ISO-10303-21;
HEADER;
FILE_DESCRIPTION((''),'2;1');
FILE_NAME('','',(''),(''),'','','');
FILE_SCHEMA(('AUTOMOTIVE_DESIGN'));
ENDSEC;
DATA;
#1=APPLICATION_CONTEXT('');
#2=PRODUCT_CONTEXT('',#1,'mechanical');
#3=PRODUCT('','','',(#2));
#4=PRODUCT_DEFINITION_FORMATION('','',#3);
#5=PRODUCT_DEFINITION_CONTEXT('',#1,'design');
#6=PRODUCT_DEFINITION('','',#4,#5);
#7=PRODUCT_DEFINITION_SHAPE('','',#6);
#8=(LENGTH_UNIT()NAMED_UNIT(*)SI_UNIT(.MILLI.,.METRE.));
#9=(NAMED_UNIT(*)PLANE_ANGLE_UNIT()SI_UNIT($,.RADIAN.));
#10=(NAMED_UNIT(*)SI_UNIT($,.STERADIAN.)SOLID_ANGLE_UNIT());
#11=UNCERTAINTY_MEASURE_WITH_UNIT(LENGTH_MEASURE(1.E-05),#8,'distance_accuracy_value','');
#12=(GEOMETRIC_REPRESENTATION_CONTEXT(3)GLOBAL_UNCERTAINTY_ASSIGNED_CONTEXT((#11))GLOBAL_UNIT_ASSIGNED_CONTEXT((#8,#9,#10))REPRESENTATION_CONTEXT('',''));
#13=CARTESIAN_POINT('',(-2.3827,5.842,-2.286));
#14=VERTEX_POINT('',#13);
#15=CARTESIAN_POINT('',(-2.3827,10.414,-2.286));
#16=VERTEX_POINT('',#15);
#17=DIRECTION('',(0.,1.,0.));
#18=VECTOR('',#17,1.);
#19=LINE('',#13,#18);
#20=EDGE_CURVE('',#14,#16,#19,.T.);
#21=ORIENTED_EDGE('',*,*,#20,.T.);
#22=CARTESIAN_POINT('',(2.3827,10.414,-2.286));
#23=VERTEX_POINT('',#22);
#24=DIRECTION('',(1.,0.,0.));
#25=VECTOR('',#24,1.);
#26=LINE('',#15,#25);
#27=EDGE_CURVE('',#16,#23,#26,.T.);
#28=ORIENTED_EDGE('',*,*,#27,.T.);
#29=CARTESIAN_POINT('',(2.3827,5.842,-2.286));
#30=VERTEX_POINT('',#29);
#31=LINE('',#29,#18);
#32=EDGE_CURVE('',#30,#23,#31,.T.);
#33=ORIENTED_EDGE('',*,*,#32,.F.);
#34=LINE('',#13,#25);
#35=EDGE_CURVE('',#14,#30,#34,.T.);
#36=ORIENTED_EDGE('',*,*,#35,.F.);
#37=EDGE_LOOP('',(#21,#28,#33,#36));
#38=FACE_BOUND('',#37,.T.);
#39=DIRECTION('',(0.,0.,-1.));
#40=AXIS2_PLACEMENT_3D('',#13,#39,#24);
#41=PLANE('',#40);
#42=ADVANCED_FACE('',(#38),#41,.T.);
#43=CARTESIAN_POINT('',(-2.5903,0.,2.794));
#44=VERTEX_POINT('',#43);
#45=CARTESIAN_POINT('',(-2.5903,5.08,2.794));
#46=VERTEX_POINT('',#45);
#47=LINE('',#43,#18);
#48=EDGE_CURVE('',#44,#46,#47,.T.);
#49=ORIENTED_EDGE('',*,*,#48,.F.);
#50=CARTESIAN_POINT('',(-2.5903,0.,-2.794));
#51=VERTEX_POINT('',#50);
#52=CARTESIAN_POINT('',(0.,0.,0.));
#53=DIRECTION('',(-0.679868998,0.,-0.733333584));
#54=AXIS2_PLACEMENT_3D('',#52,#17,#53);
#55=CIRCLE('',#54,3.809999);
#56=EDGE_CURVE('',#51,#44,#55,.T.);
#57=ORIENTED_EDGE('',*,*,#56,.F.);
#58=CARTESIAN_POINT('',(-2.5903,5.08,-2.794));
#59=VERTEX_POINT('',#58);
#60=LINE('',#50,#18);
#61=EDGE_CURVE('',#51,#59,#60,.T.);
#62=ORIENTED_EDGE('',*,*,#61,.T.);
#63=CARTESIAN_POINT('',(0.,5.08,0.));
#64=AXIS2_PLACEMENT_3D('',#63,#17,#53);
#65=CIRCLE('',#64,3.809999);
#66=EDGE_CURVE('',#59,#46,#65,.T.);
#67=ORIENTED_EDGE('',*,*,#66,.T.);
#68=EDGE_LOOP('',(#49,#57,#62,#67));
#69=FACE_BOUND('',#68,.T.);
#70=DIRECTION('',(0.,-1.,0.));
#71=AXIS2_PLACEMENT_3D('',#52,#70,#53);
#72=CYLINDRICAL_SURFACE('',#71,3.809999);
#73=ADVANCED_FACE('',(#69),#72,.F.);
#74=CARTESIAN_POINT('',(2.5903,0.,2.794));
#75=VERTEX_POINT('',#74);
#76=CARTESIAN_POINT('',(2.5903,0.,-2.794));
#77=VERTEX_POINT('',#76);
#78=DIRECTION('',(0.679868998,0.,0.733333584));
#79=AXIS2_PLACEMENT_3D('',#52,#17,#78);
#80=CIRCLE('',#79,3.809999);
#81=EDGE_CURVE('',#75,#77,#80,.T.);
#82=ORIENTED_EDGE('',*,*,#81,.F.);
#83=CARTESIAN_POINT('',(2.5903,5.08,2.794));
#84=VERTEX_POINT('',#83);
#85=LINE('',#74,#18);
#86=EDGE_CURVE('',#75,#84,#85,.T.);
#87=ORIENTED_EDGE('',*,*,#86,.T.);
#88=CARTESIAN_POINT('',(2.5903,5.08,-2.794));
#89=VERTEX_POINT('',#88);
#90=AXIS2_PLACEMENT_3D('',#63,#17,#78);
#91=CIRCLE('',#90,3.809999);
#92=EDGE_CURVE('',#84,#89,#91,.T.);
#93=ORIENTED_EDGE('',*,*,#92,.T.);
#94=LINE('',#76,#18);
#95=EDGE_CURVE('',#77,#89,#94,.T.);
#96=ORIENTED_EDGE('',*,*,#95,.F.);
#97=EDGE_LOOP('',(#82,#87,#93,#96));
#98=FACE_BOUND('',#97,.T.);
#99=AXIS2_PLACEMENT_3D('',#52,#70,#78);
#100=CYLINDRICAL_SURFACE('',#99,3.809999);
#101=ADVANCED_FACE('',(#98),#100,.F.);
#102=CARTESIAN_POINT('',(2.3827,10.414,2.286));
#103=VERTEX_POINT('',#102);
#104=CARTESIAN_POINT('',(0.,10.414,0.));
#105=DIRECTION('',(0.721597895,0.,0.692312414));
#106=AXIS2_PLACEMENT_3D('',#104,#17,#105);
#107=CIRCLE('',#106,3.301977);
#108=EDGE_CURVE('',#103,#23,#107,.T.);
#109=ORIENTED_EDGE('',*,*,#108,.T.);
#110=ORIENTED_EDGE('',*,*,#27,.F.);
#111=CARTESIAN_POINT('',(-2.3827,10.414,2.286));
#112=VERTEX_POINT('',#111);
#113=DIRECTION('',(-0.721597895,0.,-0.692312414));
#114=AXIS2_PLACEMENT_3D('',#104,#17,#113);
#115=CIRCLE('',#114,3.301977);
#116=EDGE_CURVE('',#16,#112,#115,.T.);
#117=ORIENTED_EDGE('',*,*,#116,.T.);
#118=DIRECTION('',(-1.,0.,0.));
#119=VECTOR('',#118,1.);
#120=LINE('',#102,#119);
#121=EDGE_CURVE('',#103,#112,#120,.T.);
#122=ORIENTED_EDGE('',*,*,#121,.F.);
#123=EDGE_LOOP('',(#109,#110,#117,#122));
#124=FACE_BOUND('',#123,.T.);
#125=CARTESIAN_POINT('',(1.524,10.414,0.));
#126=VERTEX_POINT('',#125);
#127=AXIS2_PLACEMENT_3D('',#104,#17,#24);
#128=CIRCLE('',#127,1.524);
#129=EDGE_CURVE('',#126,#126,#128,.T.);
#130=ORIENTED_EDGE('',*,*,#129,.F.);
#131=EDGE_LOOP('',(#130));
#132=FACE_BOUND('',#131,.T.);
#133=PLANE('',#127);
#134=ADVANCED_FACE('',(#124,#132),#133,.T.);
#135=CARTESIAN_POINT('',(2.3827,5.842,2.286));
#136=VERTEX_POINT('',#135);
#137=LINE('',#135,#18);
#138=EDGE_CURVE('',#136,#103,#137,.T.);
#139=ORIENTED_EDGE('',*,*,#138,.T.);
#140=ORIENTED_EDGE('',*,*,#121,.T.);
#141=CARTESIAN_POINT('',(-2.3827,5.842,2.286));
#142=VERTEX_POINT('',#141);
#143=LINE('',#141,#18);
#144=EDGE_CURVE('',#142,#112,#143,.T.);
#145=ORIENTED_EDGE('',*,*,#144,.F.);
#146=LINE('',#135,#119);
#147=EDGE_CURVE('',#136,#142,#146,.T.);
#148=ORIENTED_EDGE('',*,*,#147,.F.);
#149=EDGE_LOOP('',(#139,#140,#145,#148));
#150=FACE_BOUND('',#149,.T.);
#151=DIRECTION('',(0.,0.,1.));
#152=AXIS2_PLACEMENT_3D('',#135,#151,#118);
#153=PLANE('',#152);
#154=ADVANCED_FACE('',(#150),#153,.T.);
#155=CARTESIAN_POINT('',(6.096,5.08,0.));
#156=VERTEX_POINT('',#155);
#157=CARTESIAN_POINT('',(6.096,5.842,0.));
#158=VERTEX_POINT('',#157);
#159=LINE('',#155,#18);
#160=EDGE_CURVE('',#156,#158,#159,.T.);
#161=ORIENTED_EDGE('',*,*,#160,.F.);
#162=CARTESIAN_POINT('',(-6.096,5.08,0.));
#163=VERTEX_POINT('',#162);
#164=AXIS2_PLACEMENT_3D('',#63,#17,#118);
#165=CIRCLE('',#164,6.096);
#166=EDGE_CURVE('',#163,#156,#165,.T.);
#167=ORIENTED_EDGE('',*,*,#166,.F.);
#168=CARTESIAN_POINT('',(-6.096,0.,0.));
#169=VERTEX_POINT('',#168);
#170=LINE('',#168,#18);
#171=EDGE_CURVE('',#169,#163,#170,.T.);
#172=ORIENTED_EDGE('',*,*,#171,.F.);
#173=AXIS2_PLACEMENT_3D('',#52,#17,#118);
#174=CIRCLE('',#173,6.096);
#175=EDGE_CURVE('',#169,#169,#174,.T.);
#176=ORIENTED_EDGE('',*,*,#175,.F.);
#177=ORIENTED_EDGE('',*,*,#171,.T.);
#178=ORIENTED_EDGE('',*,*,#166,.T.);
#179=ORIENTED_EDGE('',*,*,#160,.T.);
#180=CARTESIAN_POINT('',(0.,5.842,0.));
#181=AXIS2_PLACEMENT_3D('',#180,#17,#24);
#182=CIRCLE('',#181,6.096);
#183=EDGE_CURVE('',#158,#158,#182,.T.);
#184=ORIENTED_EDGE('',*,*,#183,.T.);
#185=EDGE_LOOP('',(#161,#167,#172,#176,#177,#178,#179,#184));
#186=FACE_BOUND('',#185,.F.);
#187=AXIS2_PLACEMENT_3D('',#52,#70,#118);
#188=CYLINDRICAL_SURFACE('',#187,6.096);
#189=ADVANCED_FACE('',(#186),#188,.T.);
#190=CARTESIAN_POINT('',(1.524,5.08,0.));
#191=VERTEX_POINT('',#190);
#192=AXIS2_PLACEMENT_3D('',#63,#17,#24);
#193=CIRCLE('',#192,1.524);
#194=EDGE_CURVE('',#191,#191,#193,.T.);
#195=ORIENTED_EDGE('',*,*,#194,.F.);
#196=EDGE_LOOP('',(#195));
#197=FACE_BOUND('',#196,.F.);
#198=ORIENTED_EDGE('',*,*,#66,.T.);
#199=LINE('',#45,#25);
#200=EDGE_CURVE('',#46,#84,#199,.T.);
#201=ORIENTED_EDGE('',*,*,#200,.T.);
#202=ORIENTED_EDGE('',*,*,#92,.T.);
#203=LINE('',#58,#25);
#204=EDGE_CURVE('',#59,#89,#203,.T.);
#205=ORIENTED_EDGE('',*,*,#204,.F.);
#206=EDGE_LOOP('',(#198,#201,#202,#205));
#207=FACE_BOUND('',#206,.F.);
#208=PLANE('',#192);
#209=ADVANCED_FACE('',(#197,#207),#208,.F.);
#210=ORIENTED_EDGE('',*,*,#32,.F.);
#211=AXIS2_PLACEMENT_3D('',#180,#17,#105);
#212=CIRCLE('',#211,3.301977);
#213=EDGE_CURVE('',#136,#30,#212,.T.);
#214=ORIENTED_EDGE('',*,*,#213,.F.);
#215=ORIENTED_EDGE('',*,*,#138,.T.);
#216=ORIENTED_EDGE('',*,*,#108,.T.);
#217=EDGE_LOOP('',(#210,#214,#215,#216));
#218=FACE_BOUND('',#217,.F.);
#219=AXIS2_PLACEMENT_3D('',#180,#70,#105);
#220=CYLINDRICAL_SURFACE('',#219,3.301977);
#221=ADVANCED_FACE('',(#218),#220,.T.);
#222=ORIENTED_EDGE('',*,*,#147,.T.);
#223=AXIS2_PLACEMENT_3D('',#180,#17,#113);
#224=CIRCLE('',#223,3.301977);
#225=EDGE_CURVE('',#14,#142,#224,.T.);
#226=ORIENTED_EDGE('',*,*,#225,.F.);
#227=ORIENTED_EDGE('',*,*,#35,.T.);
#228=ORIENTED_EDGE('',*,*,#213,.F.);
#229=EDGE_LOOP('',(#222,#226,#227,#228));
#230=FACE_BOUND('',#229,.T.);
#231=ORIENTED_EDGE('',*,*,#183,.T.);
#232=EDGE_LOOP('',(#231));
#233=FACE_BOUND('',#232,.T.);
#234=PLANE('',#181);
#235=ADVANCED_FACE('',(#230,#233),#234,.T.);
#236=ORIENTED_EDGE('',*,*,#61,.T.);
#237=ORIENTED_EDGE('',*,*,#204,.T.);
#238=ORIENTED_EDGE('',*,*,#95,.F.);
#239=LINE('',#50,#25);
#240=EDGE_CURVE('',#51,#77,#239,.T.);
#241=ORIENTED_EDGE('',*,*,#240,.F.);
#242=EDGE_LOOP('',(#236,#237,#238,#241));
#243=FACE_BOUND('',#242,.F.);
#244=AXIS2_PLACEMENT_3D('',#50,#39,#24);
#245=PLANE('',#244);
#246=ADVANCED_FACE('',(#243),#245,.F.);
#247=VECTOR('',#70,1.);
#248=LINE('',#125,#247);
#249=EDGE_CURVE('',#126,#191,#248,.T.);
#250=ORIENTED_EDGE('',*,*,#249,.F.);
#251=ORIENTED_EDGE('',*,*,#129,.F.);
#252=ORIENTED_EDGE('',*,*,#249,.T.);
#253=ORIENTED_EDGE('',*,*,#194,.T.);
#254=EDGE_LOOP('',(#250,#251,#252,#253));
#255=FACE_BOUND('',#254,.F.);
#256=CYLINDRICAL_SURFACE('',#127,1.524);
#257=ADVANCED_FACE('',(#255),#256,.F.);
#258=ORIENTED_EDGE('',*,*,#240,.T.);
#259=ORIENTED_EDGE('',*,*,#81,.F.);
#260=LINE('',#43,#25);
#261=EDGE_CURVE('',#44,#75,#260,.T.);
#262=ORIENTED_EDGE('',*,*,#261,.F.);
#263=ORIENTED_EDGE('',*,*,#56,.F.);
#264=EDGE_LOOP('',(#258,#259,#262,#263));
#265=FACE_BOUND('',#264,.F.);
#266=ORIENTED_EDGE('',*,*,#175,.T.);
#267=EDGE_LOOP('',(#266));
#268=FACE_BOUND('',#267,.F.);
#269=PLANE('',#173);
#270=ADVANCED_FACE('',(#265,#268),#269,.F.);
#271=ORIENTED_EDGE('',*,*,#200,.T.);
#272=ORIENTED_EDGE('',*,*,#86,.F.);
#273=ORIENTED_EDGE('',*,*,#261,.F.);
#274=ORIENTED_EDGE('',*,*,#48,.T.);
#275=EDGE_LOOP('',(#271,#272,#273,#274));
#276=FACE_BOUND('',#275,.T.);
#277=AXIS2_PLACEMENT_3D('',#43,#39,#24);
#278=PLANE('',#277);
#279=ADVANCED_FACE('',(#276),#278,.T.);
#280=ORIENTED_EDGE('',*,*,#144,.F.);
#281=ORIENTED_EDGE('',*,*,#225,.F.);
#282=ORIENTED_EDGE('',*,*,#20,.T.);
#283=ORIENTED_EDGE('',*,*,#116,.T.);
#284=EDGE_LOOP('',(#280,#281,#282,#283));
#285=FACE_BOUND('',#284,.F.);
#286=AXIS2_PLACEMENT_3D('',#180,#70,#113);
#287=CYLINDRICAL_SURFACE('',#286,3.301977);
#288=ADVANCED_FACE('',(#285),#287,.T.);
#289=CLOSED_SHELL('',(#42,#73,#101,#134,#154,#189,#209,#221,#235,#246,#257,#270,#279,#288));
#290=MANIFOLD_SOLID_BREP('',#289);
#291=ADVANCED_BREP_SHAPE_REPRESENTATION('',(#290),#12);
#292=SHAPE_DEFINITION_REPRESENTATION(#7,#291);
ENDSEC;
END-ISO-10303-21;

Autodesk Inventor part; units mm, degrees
ref_plane "YZ Plane" through (0, 0, 0) normal (1, 0, 0) x (0, 1, 0)
ref_plane "XZ Plane" through (0, 0, 0) normal (0, 1, 0) x (-1, 0, 0)
ref_plane "XY Plane" through (0, 0, 0) normal (0, 0, 1) x (1, 0, 0)
sketch "Sketch1" plane through (0, 0, 0) normal (0, 1, 0) x (-1, 0, 0)
  circle A0 centre (0, 0) radius 6.096
  line L0 (3.81, 0) -> (-3.81, 0) construction
  line L1 (2.5903, -2.794) -> (-2.5903, -2.794)
  line L2 (2.5903, 2.794) -> (-2.5903, 2.794)
  arc A1 (-2.5903, 2.794) -> (-2.5903, -2.794) centre (0, 0) ccw
  arc A2 (2.5903, -2.794) -> (2.5903, 2.794) centre (0, 0) ccw
  dimension "d0" = 12.192
  dimension "d2" = 5.588
  dimension "d3" = 2.794
  dimension "d13" = 3.81
  dimension "d14" = 3.81
extrude "Extrusion1" add sketch "Sketch1" along normal blind 5.08
sketch "Sketch2" plane through (0, 5.08, 0) normal (0, 1, 0) x (1, 0, 0)
  circle A0 centre (0, 0) radius 6.096
extrude "Extrusion2" add sketch "Sketch2" along normal blind 0.762
sketch "Sketch3" plane through (0, 5.842, 0) normal (0, 1, 0) x (1, 0, 0)
  arc A0 (-2.5903, 2.794) -> (-2.5903, -2.794) centre (0, 0) ccw construction
  arc A1 (-2.5903, 2.794) -> (-2.5903, -2.794) centre (0, 0) ccw projected
  line L0 (-2.5903, 2.794) -> (2.5903, 2.794) construction
  line L1 (-2.5903, 2.794) -> (2.5903, 2.794) projected
  arc A2 (2.5903, -2.794) -> (2.5903, 2.794) centre (0, 0) ccw construction
  arc A3 (2.5903, -2.794) -> (2.5903, 2.794) centre (0, 0) ccw projected
  line L2 (2.5903, -2.794) -> (-2.5903, -2.794) construction
  line L3 (2.5903, -2.794) -> (-2.5903, -2.794) projected
  arc A4 (-2.3827, 2.286) -> (-2.3827, -2.286) centre (0, 0) ccw
  line L4 (-2.3827, 2.286) -> (2.3827, 2.286)
  arc A5 (2.3827, -2.286) -> (2.3827, 2.286) centre (0, 0) ccw
  line L5 (2.3827, -2.286) -> (-2.3827, -2.286)
  point P0 (-2.5903, -2.794)
  dimension "d15" = 0.508
  dimension "d16" = 0.508
  dimension "d17" = 0.508
  dimension "d18" = 0.508
extrude "Extrusion3" add sketch "Sketch3" along normal blind 4.572 contours L4 A5 L5 A4
sketch "Sketch4" plane through (0, 10.414, 0) normal (0, 1, 0) x (1, 0, 0)
  circle A0 centre (0, 0) radius 1.524
  dimension "d10" = 3.048
extrude "Extrusion4" cut sketch "Sketch4" against normal blind 25.4
equation "\"d3\" = 0.5 * d2"
properties part number "axle extender"
